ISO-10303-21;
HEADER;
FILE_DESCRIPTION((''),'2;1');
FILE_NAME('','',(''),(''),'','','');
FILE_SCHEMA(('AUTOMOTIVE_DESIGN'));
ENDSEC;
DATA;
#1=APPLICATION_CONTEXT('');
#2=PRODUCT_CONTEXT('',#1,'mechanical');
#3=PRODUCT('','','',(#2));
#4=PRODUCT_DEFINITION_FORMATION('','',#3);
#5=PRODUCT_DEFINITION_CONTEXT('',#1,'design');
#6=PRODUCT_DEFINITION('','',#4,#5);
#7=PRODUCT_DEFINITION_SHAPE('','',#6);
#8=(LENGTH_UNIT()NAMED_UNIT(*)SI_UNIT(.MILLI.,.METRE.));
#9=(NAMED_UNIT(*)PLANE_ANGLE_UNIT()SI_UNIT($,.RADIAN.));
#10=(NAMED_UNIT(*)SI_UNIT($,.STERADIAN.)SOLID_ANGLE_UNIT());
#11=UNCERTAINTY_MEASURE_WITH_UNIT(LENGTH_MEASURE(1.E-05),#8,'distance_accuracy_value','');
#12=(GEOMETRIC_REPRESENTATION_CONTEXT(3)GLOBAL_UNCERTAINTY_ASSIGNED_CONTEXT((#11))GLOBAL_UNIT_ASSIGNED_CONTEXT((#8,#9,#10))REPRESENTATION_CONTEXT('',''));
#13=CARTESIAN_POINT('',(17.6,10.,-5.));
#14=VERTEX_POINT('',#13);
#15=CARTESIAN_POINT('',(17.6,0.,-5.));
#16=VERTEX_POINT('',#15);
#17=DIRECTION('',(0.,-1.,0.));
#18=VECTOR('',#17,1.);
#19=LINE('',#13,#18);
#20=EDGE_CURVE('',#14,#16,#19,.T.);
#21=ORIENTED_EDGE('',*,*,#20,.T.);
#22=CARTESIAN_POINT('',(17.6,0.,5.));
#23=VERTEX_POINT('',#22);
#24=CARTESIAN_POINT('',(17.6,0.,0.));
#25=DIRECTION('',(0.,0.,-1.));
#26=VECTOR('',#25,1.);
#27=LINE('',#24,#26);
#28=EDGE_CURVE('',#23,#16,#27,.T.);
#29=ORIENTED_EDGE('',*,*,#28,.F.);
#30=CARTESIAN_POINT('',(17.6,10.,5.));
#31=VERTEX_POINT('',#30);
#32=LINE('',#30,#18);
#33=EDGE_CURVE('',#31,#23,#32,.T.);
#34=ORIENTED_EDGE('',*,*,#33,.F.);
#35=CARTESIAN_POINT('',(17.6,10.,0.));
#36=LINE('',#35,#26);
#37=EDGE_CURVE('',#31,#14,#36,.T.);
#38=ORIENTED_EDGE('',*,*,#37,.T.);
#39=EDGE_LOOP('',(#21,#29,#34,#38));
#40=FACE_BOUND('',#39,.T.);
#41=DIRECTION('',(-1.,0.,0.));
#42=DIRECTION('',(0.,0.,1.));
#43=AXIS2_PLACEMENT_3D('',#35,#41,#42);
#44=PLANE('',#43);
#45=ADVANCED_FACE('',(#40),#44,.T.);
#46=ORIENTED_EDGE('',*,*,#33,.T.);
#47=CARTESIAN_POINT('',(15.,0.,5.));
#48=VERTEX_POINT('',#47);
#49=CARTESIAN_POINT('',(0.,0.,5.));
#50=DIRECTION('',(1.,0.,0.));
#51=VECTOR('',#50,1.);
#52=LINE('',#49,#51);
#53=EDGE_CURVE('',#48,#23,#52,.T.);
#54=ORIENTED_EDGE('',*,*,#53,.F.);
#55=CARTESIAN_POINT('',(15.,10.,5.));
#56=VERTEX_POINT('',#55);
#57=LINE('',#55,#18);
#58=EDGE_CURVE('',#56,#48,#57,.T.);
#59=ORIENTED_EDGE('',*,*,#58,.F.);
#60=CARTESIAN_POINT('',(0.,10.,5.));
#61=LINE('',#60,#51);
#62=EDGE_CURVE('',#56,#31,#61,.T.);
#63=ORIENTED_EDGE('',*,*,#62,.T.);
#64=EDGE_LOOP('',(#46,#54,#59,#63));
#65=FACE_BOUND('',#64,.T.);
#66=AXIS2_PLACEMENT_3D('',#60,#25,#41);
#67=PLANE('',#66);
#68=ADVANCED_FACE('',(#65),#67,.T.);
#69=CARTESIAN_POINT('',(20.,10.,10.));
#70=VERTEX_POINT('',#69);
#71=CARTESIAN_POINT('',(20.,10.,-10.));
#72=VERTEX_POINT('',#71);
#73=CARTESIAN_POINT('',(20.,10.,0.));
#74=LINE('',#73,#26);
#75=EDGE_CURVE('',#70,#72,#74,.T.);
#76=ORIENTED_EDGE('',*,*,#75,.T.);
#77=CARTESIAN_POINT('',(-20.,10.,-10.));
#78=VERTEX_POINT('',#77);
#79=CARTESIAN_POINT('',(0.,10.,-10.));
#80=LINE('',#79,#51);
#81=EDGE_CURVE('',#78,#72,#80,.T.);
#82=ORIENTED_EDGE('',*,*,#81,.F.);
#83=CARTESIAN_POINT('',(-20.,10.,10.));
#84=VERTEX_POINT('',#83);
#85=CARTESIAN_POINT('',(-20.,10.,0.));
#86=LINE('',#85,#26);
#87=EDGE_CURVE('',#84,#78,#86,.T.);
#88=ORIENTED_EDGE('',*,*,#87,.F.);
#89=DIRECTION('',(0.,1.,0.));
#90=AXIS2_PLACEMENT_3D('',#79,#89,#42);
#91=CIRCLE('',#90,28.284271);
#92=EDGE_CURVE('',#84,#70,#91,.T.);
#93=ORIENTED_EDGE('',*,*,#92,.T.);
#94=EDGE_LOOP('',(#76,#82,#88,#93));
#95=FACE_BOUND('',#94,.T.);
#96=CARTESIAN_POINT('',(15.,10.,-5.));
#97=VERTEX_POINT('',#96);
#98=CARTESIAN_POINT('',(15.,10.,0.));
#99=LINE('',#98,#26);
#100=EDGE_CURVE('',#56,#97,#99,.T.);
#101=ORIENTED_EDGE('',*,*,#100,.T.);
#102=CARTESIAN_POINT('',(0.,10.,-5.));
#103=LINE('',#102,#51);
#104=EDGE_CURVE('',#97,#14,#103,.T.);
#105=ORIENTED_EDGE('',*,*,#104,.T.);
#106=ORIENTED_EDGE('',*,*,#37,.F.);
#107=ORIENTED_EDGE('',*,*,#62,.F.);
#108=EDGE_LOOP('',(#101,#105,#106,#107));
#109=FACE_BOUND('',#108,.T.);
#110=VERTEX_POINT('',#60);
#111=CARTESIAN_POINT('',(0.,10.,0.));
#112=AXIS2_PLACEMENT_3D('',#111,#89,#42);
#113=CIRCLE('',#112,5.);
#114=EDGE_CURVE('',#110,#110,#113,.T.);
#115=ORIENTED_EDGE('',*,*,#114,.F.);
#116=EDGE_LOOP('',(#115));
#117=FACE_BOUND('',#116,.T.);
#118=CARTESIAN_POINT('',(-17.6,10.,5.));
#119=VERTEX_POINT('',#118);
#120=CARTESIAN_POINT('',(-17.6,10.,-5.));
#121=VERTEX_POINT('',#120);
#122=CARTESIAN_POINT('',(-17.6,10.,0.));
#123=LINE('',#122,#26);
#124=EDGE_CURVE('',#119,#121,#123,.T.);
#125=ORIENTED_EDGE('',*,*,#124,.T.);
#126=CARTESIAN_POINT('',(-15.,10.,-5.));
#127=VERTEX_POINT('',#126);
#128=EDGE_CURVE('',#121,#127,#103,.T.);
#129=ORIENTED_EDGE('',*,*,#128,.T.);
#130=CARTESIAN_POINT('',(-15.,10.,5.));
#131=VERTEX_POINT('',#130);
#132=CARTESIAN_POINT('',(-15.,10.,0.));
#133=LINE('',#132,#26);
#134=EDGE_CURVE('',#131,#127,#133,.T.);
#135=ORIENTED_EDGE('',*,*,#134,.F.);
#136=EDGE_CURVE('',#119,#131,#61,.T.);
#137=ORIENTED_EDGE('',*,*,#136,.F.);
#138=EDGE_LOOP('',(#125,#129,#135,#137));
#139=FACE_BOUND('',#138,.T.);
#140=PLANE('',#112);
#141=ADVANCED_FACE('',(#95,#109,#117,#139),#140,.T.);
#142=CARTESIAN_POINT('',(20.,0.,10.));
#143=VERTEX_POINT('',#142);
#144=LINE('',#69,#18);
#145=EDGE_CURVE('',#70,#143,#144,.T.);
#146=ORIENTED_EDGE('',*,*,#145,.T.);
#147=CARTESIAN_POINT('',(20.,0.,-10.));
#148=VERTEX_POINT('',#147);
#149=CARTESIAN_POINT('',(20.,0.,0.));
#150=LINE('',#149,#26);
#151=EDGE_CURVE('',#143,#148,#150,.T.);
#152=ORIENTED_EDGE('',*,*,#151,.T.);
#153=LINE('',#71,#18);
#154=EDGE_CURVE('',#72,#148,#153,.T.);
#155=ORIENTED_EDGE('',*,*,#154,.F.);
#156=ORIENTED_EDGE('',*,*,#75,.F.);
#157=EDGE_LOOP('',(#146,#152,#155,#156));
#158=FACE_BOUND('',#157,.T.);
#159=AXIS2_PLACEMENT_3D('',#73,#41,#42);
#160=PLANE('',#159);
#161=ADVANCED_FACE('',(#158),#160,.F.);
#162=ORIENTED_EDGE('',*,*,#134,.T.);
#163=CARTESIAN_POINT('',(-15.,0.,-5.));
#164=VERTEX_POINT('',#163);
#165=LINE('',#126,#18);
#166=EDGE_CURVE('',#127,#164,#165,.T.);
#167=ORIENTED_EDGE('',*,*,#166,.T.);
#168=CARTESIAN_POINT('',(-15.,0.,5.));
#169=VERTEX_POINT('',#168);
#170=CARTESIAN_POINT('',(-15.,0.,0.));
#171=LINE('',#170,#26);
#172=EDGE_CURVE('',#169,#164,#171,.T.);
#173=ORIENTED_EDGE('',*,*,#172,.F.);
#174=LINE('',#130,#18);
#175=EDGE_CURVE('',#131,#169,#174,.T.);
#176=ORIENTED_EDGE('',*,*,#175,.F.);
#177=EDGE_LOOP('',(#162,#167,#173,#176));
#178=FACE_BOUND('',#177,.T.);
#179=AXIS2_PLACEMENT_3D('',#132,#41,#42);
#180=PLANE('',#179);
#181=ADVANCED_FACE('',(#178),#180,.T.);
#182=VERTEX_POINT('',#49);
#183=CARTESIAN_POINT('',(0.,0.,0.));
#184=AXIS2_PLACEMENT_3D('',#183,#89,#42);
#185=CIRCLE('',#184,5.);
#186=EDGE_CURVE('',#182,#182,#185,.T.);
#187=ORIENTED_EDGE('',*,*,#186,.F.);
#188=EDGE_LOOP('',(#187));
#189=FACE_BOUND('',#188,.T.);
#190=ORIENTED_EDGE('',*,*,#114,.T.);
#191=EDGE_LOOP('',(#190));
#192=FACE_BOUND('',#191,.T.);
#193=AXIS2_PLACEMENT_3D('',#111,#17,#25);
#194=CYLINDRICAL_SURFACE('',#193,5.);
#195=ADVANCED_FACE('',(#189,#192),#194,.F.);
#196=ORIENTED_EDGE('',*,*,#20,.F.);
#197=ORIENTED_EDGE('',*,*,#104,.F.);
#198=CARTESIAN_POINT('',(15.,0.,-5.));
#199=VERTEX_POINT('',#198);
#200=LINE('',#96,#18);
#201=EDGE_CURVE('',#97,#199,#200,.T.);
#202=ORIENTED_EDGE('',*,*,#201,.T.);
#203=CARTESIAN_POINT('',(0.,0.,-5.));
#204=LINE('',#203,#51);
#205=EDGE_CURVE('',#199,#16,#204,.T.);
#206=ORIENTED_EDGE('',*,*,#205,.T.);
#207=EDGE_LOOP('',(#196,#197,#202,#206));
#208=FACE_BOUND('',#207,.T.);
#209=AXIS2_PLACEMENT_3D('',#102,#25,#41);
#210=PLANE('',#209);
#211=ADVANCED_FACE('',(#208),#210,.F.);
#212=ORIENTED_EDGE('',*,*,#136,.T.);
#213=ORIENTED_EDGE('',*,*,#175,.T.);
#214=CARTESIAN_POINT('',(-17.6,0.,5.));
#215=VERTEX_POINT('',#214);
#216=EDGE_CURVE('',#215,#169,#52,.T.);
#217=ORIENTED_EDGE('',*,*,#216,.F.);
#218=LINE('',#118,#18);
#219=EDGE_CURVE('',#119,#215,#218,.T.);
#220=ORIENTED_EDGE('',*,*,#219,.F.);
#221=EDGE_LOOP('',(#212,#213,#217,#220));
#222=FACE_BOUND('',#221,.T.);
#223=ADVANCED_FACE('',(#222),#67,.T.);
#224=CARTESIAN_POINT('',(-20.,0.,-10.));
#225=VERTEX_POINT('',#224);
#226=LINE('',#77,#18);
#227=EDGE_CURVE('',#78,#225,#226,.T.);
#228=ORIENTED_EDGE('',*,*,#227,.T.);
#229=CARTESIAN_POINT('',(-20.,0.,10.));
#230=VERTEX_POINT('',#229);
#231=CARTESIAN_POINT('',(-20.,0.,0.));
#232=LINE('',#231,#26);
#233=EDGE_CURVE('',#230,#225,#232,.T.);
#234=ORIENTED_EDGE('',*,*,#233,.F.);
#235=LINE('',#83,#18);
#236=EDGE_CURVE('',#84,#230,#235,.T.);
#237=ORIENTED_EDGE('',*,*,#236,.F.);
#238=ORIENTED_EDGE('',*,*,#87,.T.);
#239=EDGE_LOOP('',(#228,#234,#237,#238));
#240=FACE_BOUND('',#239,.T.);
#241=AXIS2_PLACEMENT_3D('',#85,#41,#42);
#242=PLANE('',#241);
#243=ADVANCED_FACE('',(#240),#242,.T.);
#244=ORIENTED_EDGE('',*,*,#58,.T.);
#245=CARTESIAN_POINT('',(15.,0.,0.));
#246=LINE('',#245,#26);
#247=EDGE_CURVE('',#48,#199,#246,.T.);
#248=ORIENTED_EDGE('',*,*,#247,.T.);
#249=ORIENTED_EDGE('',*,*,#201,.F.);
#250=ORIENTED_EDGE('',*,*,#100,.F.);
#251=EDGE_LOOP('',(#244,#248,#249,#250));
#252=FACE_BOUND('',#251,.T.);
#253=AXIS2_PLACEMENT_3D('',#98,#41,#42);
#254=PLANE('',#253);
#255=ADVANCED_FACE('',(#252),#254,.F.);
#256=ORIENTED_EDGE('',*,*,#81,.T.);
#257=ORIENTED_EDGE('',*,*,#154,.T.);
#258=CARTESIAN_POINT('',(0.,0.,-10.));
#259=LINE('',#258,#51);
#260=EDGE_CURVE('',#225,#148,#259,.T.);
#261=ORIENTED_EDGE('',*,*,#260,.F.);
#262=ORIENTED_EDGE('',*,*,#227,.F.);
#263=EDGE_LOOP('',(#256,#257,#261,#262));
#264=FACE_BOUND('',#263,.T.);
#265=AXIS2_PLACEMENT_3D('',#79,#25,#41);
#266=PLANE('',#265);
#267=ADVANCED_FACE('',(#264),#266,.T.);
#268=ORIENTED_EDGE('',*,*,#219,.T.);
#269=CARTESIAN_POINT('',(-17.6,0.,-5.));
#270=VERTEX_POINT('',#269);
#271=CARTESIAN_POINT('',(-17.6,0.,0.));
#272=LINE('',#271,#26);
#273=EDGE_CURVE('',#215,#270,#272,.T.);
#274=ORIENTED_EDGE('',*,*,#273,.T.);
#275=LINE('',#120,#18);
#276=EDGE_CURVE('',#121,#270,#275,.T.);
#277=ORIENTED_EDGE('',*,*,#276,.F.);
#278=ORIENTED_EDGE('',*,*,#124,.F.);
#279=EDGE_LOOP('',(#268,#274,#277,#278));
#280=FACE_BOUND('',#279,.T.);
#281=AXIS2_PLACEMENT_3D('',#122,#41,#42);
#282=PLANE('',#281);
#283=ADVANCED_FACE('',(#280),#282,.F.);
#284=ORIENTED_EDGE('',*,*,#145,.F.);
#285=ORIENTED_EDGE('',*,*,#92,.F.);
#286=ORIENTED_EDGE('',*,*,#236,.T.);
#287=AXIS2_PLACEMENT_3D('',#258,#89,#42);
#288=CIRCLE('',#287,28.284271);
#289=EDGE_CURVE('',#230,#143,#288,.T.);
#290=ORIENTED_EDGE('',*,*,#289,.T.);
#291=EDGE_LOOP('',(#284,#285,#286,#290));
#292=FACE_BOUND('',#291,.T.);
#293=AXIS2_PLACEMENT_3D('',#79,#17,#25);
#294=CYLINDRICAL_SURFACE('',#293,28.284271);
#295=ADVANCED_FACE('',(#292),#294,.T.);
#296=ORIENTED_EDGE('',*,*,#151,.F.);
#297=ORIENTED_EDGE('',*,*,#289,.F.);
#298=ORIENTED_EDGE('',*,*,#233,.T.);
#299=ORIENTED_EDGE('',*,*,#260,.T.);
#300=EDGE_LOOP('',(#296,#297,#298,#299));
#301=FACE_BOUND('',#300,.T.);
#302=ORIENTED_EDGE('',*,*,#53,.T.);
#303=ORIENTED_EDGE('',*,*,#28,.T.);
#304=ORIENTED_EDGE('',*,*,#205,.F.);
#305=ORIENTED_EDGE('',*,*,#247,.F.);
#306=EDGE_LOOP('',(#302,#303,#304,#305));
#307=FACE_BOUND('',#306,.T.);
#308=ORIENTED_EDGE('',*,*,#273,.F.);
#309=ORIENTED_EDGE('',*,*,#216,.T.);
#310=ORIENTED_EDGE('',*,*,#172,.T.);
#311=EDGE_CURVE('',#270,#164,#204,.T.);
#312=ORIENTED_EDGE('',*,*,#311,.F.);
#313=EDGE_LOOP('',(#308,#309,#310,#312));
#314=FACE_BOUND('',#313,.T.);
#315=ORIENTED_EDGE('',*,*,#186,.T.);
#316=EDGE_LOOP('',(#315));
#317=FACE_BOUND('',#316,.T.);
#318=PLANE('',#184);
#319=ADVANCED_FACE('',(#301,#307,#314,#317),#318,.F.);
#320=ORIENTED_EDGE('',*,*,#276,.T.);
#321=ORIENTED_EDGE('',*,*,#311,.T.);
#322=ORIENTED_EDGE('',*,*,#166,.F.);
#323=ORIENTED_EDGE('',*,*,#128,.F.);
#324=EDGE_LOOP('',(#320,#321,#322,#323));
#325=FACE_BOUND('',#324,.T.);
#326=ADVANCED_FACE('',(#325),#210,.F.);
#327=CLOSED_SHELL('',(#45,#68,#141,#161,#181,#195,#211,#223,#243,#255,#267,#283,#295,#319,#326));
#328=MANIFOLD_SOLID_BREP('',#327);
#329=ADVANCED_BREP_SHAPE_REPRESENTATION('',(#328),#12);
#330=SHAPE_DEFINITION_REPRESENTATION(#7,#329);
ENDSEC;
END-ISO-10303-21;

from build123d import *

# Parameters (mm, degrees)
SKETCH1_W           = 40
SKETCH1_H           = 20
SKETCH1_R           = 5
SKETCH1_W_2         = 2.6
SKETCH1_H_2         = 10
BOSS_EXTRUDE1_DEPTH = 10


with BuildPart() as part:
    # Sketch1 → Boss-Extrude1 (new body)
    # profile 1 of 2: a face of its own
    with BuildSketch(Plane(origin=(0, 0, 0), x_dir=(1, 0, 0), z_dir=(0, 1, 0))):
        Rectangle(SKETCH1_W, SKETCH1_H)
        with Locations(Location((0, 0, 0), (0, 0, 270))):
            Circle(SKETCH1_R, mode=Mode.SUBTRACT)
        with Locations((16.3, 0)):
            Rectangle(SKETCH1_W_2, SKETCH1_H_2, mode=Mode.SUBTRACT)
        with Locations((-16.3, 0)):
            Rectangle(SKETCH1_W_2, SKETCH1_H_2, mode=Mode.SUBTRACT)
    # profile 2 of 2: a face of its own
    with BuildSketch(Plane(origin=(0, 0, 0), x_dir=(1, 0, 0), z_dir=(0, 1, 0))):
        with BuildLine():
            Line((-20, -10), (20, -10))
            ThreePointArc((20, -10), (0, -18.284271247), (-20, -10))
        make_face()
    extrude(amount=BOSS_EXTRUDE1_DEPTH)


solid = part.part
